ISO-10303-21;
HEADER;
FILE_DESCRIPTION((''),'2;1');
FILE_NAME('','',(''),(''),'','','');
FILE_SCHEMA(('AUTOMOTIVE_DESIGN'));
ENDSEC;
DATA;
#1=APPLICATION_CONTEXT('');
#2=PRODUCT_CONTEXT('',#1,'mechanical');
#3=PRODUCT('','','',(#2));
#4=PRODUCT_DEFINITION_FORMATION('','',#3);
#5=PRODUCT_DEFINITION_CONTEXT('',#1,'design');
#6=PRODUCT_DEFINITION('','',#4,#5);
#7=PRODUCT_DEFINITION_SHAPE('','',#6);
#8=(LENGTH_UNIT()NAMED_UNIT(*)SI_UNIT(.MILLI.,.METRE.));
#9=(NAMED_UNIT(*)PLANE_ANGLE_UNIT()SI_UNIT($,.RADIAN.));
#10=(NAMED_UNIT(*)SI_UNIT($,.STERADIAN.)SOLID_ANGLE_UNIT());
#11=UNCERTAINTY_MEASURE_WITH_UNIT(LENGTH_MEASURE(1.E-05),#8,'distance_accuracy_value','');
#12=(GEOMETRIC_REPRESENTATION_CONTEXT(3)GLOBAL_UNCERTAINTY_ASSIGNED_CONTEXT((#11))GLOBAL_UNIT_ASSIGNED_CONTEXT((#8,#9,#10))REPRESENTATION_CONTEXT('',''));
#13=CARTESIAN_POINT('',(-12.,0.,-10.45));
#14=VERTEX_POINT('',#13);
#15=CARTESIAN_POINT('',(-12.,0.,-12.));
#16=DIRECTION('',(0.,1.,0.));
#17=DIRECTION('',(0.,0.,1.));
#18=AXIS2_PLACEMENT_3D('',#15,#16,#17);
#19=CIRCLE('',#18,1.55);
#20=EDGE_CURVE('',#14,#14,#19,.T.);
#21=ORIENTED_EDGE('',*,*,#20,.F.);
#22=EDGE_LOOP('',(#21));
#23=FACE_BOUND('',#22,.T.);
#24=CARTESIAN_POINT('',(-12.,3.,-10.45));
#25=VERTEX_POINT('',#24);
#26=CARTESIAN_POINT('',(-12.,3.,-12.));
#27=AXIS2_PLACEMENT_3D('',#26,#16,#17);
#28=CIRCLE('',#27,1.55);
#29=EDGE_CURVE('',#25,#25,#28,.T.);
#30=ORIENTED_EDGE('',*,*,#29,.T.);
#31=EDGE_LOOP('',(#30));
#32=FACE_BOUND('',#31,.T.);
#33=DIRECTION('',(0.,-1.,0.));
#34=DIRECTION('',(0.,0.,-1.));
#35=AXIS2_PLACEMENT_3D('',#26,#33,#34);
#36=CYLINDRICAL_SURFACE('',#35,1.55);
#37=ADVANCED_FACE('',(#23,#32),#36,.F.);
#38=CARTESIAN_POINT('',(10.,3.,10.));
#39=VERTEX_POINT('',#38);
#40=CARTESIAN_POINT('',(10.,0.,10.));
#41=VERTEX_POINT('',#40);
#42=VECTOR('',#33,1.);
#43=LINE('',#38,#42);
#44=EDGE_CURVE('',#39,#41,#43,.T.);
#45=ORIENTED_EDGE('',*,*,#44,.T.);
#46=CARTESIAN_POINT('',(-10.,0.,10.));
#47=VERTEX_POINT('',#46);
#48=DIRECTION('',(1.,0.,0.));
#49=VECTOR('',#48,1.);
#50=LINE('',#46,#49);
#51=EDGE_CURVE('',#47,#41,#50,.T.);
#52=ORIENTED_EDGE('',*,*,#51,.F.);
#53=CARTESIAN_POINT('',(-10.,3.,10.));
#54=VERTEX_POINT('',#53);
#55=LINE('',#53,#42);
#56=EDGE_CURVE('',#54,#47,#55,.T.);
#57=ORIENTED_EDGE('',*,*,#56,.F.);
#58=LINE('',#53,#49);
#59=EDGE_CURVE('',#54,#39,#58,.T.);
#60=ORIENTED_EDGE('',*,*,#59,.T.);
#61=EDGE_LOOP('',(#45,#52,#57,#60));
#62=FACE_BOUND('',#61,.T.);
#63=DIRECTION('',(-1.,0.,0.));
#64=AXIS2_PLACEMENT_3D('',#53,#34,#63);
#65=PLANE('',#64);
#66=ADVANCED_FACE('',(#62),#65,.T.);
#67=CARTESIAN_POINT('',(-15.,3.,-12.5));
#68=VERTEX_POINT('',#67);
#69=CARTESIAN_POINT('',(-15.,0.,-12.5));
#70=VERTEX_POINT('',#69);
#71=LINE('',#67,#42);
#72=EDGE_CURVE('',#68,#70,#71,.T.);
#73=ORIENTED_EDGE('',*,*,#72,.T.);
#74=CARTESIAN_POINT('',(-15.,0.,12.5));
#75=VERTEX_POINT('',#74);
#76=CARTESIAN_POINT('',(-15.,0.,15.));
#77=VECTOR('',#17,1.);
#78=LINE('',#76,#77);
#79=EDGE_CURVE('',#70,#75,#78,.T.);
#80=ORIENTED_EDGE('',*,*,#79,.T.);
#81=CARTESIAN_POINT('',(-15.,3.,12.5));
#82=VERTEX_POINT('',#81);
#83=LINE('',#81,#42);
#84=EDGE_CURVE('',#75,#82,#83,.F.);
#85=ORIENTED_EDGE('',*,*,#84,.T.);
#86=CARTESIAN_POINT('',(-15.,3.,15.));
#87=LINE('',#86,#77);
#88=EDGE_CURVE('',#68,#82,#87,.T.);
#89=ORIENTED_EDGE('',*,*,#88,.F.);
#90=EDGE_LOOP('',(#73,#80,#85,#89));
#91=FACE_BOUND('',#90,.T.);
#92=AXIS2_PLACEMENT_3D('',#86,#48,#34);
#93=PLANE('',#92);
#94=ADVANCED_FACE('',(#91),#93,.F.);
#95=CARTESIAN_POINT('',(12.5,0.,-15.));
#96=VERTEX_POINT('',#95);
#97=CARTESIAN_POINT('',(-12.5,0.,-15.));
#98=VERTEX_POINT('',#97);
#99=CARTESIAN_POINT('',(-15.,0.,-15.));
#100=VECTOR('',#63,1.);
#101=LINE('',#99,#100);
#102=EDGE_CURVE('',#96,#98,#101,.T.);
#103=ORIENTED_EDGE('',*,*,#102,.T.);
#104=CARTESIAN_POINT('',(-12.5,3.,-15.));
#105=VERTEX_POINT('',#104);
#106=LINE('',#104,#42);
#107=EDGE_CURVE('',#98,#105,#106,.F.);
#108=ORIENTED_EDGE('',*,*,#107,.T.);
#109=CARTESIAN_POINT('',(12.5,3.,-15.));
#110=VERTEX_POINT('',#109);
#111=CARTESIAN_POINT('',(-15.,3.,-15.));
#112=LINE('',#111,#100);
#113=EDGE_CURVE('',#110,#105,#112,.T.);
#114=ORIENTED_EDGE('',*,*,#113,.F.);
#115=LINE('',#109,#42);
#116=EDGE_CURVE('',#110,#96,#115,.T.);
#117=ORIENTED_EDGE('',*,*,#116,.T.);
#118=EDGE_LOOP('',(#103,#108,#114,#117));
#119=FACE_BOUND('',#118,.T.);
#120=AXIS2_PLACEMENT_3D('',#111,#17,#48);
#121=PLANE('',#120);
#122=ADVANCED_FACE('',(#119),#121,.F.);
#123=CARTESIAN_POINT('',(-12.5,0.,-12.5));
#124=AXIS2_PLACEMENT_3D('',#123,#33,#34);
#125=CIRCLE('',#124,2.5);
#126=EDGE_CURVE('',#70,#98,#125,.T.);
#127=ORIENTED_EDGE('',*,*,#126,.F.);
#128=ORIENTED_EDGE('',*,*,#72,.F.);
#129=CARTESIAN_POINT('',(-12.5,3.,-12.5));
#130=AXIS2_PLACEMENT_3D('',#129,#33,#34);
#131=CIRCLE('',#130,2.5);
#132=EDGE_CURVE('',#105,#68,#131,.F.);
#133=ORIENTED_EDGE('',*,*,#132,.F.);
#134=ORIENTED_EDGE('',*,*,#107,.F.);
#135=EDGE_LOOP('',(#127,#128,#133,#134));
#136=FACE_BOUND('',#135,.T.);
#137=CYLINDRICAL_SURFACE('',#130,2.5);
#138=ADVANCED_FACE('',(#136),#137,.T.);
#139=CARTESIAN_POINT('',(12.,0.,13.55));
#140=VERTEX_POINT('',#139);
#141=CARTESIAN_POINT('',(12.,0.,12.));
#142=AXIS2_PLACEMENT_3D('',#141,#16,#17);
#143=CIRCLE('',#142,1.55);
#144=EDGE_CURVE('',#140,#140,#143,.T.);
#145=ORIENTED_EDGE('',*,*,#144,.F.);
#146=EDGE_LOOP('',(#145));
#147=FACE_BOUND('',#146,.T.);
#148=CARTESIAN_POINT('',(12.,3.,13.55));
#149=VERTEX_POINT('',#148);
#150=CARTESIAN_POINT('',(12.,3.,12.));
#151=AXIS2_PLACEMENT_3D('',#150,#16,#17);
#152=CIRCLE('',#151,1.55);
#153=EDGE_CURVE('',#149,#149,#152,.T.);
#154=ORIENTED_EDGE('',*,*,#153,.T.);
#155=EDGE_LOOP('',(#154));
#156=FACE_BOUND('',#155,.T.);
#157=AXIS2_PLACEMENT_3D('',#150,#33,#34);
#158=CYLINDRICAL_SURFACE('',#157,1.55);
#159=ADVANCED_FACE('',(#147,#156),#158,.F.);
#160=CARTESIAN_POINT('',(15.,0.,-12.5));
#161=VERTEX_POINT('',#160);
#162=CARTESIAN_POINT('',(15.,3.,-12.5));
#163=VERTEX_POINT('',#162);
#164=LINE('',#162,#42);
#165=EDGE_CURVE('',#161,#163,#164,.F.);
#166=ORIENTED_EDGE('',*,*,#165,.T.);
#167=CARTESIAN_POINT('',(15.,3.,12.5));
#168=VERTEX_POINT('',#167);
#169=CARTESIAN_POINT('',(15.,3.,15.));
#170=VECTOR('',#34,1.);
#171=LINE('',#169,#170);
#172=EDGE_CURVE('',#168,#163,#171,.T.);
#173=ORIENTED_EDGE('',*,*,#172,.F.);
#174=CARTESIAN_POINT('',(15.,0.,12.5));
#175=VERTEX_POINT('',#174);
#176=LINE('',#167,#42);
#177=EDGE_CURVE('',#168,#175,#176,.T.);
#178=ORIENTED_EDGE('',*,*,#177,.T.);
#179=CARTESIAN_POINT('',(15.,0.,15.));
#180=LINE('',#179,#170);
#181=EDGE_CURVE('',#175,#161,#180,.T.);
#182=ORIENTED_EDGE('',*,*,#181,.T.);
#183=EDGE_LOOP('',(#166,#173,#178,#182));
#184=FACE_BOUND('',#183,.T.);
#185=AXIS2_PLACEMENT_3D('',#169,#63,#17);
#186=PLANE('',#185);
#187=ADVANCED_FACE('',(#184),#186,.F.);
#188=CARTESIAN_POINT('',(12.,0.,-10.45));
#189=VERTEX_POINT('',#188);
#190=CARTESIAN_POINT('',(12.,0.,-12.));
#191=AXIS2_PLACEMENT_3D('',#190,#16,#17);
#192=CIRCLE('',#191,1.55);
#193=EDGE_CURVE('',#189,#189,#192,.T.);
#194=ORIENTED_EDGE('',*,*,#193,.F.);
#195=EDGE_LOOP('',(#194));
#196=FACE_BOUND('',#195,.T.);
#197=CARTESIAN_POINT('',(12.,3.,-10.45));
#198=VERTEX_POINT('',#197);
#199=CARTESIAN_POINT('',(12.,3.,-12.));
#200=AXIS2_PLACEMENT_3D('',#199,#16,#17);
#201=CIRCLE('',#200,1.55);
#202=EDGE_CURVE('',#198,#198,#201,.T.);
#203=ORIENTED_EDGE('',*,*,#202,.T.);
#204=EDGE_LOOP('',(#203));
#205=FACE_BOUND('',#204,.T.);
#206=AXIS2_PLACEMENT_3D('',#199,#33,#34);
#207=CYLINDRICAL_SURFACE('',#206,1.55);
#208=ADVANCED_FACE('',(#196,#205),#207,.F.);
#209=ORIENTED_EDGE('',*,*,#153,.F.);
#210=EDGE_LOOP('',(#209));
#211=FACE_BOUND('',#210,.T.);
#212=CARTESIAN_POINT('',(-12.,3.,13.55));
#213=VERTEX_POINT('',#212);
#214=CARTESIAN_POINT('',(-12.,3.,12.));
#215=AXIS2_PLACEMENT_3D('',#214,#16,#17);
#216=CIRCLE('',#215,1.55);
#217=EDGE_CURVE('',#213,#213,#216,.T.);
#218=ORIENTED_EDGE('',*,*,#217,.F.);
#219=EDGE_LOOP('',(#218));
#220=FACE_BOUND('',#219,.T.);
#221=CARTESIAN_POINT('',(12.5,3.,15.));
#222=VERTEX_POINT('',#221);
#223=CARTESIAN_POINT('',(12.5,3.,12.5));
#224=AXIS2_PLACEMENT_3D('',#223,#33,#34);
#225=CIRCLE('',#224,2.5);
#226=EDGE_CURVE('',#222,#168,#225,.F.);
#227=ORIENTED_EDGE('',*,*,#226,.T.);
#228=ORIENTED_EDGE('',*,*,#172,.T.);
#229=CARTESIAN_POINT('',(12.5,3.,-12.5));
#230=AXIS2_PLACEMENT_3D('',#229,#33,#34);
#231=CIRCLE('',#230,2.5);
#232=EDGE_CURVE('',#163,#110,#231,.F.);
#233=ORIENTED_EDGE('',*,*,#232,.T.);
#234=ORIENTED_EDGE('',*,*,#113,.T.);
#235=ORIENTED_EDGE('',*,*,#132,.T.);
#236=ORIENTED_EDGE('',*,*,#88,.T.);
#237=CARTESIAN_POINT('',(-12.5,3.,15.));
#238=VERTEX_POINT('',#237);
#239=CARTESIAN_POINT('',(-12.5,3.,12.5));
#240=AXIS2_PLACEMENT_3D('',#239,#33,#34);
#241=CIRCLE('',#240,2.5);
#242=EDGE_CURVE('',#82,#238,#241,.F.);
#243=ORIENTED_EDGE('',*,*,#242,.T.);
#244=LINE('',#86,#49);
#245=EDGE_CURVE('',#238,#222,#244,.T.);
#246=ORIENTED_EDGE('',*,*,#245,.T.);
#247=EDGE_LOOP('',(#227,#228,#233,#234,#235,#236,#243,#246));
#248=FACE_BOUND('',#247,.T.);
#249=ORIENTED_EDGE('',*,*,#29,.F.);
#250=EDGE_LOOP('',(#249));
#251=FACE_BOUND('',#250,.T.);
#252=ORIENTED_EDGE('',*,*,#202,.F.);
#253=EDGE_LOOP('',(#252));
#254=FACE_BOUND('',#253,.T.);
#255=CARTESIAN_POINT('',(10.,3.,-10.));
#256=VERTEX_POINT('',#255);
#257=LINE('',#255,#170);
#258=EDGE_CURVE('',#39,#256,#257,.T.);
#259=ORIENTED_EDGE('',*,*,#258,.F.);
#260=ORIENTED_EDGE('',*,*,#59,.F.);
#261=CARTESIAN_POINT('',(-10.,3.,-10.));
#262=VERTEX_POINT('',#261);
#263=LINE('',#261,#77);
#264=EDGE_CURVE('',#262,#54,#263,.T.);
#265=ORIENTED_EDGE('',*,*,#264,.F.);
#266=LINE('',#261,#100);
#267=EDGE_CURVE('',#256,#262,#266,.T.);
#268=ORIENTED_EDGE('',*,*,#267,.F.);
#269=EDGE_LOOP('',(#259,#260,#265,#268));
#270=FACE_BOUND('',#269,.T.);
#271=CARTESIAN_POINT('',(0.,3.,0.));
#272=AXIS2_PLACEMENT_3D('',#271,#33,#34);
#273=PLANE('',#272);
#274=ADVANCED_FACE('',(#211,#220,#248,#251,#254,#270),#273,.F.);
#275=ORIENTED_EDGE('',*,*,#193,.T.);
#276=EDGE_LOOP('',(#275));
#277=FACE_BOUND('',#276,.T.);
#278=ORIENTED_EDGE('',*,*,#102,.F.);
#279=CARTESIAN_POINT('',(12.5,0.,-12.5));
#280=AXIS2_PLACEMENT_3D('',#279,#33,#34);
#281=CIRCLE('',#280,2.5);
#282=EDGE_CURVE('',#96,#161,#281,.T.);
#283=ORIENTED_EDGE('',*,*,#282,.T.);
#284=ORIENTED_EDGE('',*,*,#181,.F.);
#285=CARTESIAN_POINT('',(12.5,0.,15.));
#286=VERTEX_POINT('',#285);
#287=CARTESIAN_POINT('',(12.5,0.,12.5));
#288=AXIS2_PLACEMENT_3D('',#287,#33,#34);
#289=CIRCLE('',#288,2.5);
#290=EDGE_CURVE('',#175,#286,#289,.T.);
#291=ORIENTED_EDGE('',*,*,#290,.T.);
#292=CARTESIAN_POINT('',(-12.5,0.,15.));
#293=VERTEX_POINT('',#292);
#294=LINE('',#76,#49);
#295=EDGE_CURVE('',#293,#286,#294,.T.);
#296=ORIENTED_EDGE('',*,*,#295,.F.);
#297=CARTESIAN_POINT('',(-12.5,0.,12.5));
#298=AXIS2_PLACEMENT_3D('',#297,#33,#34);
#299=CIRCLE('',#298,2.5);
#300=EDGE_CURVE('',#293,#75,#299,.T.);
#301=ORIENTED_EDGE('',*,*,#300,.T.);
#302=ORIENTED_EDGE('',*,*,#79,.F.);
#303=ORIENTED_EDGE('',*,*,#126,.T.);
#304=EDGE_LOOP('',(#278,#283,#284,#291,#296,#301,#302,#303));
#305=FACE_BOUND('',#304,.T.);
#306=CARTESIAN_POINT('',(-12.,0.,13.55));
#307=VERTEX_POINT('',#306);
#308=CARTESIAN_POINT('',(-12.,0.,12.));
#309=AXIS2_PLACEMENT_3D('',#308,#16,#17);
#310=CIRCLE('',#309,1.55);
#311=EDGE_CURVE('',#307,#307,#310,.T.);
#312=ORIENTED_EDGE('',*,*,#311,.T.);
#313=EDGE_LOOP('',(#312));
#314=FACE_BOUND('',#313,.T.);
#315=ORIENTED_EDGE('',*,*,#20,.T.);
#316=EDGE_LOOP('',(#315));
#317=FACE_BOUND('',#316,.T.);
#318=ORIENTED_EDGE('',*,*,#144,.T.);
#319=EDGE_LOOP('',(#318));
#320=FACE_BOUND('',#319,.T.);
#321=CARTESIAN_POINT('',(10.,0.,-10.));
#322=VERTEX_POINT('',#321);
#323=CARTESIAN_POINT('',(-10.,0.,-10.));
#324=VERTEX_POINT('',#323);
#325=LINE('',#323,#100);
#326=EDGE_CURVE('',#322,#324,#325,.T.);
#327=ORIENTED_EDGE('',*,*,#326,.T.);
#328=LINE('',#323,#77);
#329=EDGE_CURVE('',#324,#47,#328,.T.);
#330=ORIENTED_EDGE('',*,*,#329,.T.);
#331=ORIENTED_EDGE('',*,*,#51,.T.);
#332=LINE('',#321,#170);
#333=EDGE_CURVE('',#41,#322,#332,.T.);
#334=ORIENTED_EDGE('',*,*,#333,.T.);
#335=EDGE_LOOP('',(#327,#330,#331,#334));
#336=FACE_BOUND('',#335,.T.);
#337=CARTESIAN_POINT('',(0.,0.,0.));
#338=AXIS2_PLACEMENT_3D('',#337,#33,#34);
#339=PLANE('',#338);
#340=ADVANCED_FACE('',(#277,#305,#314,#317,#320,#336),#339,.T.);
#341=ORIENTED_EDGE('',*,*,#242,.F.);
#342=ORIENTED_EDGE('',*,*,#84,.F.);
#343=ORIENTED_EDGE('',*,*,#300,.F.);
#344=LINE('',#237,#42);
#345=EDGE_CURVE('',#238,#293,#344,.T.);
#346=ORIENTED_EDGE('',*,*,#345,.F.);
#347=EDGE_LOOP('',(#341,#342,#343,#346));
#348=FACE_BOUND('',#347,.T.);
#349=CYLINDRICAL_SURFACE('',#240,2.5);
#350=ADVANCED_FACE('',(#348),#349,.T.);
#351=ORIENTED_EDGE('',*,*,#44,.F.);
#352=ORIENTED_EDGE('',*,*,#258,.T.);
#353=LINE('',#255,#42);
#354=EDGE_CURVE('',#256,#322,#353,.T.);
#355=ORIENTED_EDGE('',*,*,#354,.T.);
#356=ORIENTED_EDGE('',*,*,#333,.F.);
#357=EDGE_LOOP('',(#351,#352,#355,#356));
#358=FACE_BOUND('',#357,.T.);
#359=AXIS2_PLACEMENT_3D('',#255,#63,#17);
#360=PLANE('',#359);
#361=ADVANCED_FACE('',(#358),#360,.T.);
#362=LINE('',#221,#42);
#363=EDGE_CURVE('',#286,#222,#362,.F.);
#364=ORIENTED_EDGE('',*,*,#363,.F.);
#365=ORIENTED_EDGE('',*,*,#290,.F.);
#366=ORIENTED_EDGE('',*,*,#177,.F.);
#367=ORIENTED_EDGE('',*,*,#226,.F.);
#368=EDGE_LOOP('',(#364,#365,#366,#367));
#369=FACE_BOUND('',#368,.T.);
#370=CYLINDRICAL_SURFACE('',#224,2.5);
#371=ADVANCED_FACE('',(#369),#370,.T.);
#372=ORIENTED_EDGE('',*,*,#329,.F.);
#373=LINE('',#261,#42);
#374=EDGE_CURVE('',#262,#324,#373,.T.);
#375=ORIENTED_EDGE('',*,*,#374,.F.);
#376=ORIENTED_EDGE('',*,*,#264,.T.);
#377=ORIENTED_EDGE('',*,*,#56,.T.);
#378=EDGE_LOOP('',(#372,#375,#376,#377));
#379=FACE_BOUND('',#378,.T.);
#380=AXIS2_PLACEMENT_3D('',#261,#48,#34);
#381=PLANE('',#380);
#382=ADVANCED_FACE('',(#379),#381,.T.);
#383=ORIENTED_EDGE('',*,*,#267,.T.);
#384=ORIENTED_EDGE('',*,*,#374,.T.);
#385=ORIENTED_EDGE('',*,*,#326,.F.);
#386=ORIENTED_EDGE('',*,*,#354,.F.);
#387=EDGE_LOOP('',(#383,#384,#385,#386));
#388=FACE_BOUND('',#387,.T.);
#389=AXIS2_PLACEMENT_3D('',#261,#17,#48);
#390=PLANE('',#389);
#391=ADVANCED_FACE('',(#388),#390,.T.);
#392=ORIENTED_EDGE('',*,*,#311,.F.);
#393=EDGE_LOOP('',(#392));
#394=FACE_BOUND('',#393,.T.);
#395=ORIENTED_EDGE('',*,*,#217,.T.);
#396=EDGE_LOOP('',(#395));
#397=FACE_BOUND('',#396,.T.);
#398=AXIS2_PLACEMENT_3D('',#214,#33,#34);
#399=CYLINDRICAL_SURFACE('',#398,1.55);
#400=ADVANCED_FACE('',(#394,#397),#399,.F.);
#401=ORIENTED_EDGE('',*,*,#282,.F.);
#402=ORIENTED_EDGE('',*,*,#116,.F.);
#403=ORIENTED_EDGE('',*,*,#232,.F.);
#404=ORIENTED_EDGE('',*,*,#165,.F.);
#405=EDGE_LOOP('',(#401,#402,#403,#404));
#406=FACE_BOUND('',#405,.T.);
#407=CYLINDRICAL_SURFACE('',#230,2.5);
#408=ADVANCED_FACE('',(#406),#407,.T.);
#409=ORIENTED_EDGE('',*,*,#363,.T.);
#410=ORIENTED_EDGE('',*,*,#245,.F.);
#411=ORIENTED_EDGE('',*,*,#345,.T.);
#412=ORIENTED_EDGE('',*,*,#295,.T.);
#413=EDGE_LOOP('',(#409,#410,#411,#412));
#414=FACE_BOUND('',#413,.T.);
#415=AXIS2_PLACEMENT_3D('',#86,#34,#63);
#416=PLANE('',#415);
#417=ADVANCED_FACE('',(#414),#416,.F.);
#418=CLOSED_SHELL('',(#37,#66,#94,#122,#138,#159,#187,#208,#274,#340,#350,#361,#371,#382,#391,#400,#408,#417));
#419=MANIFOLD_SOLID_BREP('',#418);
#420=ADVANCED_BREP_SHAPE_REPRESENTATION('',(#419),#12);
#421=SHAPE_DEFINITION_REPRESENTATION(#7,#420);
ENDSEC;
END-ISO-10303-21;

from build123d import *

# Parameters (mm, degrees)
SKETCH1_W           = 30
SKETCH1_H           = 30
SKETCH1_R           = 1.55
SKETCH1_W_2         = 20
SKETCH1_H_2         = 20
BOSS_EXTRUDE1_DEPTH = 3
FILLET2_R           = 2.5


with BuildPart() as part:
    # Sketch1 → Boss-Extrude1 (new body)
    with BuildSketch(Plane(origin=(0, 0, 0), x_dir=(1, 0, 0), z_dir=(0, 1, 0))):
        Rectangle(SKETCH1_W, SKETCH1_H)
        with Locations(Location((12, 12, 0), (0, 0, 270))):
            Circle(SKETCH1_R, mode=Mode.SUBTRACT)
        with Locations(Location((12, -12, 0), (0, 0, 270))):
            Circle(SKETCH1_R, mode=Mode.SUBTRACT)
        with Locations(Location((-12, 12, 0), (0, 0, 270))):
            Circle(SKETCH1_R, mode=Mode.SUBTRACT)
        with Locations(Location((-12, -12, 0), (0, 0, 270))):
            Circle(SKETCH1_R, mode=Mode.SUBTRACT)
        Rectangle(SKETCH1_W_2, SKETCH1_H_2, mode=Mode.SUBTRACT)
    extrude(amount=BOSS_EXTRUDE1_DEPTH)

    # Fillet2
    fillet2_edges = [part.edges().sort_by_distance(p)[0] for p in [
        (15, 1.5, 15),
        (-15, 1.5, 15),
        (-15, 1.5, -15),
        (15, 1.5, -15),
    ]]
    fillet(fillet2_edges, radius=FILLET2_R)


solid = part.part
